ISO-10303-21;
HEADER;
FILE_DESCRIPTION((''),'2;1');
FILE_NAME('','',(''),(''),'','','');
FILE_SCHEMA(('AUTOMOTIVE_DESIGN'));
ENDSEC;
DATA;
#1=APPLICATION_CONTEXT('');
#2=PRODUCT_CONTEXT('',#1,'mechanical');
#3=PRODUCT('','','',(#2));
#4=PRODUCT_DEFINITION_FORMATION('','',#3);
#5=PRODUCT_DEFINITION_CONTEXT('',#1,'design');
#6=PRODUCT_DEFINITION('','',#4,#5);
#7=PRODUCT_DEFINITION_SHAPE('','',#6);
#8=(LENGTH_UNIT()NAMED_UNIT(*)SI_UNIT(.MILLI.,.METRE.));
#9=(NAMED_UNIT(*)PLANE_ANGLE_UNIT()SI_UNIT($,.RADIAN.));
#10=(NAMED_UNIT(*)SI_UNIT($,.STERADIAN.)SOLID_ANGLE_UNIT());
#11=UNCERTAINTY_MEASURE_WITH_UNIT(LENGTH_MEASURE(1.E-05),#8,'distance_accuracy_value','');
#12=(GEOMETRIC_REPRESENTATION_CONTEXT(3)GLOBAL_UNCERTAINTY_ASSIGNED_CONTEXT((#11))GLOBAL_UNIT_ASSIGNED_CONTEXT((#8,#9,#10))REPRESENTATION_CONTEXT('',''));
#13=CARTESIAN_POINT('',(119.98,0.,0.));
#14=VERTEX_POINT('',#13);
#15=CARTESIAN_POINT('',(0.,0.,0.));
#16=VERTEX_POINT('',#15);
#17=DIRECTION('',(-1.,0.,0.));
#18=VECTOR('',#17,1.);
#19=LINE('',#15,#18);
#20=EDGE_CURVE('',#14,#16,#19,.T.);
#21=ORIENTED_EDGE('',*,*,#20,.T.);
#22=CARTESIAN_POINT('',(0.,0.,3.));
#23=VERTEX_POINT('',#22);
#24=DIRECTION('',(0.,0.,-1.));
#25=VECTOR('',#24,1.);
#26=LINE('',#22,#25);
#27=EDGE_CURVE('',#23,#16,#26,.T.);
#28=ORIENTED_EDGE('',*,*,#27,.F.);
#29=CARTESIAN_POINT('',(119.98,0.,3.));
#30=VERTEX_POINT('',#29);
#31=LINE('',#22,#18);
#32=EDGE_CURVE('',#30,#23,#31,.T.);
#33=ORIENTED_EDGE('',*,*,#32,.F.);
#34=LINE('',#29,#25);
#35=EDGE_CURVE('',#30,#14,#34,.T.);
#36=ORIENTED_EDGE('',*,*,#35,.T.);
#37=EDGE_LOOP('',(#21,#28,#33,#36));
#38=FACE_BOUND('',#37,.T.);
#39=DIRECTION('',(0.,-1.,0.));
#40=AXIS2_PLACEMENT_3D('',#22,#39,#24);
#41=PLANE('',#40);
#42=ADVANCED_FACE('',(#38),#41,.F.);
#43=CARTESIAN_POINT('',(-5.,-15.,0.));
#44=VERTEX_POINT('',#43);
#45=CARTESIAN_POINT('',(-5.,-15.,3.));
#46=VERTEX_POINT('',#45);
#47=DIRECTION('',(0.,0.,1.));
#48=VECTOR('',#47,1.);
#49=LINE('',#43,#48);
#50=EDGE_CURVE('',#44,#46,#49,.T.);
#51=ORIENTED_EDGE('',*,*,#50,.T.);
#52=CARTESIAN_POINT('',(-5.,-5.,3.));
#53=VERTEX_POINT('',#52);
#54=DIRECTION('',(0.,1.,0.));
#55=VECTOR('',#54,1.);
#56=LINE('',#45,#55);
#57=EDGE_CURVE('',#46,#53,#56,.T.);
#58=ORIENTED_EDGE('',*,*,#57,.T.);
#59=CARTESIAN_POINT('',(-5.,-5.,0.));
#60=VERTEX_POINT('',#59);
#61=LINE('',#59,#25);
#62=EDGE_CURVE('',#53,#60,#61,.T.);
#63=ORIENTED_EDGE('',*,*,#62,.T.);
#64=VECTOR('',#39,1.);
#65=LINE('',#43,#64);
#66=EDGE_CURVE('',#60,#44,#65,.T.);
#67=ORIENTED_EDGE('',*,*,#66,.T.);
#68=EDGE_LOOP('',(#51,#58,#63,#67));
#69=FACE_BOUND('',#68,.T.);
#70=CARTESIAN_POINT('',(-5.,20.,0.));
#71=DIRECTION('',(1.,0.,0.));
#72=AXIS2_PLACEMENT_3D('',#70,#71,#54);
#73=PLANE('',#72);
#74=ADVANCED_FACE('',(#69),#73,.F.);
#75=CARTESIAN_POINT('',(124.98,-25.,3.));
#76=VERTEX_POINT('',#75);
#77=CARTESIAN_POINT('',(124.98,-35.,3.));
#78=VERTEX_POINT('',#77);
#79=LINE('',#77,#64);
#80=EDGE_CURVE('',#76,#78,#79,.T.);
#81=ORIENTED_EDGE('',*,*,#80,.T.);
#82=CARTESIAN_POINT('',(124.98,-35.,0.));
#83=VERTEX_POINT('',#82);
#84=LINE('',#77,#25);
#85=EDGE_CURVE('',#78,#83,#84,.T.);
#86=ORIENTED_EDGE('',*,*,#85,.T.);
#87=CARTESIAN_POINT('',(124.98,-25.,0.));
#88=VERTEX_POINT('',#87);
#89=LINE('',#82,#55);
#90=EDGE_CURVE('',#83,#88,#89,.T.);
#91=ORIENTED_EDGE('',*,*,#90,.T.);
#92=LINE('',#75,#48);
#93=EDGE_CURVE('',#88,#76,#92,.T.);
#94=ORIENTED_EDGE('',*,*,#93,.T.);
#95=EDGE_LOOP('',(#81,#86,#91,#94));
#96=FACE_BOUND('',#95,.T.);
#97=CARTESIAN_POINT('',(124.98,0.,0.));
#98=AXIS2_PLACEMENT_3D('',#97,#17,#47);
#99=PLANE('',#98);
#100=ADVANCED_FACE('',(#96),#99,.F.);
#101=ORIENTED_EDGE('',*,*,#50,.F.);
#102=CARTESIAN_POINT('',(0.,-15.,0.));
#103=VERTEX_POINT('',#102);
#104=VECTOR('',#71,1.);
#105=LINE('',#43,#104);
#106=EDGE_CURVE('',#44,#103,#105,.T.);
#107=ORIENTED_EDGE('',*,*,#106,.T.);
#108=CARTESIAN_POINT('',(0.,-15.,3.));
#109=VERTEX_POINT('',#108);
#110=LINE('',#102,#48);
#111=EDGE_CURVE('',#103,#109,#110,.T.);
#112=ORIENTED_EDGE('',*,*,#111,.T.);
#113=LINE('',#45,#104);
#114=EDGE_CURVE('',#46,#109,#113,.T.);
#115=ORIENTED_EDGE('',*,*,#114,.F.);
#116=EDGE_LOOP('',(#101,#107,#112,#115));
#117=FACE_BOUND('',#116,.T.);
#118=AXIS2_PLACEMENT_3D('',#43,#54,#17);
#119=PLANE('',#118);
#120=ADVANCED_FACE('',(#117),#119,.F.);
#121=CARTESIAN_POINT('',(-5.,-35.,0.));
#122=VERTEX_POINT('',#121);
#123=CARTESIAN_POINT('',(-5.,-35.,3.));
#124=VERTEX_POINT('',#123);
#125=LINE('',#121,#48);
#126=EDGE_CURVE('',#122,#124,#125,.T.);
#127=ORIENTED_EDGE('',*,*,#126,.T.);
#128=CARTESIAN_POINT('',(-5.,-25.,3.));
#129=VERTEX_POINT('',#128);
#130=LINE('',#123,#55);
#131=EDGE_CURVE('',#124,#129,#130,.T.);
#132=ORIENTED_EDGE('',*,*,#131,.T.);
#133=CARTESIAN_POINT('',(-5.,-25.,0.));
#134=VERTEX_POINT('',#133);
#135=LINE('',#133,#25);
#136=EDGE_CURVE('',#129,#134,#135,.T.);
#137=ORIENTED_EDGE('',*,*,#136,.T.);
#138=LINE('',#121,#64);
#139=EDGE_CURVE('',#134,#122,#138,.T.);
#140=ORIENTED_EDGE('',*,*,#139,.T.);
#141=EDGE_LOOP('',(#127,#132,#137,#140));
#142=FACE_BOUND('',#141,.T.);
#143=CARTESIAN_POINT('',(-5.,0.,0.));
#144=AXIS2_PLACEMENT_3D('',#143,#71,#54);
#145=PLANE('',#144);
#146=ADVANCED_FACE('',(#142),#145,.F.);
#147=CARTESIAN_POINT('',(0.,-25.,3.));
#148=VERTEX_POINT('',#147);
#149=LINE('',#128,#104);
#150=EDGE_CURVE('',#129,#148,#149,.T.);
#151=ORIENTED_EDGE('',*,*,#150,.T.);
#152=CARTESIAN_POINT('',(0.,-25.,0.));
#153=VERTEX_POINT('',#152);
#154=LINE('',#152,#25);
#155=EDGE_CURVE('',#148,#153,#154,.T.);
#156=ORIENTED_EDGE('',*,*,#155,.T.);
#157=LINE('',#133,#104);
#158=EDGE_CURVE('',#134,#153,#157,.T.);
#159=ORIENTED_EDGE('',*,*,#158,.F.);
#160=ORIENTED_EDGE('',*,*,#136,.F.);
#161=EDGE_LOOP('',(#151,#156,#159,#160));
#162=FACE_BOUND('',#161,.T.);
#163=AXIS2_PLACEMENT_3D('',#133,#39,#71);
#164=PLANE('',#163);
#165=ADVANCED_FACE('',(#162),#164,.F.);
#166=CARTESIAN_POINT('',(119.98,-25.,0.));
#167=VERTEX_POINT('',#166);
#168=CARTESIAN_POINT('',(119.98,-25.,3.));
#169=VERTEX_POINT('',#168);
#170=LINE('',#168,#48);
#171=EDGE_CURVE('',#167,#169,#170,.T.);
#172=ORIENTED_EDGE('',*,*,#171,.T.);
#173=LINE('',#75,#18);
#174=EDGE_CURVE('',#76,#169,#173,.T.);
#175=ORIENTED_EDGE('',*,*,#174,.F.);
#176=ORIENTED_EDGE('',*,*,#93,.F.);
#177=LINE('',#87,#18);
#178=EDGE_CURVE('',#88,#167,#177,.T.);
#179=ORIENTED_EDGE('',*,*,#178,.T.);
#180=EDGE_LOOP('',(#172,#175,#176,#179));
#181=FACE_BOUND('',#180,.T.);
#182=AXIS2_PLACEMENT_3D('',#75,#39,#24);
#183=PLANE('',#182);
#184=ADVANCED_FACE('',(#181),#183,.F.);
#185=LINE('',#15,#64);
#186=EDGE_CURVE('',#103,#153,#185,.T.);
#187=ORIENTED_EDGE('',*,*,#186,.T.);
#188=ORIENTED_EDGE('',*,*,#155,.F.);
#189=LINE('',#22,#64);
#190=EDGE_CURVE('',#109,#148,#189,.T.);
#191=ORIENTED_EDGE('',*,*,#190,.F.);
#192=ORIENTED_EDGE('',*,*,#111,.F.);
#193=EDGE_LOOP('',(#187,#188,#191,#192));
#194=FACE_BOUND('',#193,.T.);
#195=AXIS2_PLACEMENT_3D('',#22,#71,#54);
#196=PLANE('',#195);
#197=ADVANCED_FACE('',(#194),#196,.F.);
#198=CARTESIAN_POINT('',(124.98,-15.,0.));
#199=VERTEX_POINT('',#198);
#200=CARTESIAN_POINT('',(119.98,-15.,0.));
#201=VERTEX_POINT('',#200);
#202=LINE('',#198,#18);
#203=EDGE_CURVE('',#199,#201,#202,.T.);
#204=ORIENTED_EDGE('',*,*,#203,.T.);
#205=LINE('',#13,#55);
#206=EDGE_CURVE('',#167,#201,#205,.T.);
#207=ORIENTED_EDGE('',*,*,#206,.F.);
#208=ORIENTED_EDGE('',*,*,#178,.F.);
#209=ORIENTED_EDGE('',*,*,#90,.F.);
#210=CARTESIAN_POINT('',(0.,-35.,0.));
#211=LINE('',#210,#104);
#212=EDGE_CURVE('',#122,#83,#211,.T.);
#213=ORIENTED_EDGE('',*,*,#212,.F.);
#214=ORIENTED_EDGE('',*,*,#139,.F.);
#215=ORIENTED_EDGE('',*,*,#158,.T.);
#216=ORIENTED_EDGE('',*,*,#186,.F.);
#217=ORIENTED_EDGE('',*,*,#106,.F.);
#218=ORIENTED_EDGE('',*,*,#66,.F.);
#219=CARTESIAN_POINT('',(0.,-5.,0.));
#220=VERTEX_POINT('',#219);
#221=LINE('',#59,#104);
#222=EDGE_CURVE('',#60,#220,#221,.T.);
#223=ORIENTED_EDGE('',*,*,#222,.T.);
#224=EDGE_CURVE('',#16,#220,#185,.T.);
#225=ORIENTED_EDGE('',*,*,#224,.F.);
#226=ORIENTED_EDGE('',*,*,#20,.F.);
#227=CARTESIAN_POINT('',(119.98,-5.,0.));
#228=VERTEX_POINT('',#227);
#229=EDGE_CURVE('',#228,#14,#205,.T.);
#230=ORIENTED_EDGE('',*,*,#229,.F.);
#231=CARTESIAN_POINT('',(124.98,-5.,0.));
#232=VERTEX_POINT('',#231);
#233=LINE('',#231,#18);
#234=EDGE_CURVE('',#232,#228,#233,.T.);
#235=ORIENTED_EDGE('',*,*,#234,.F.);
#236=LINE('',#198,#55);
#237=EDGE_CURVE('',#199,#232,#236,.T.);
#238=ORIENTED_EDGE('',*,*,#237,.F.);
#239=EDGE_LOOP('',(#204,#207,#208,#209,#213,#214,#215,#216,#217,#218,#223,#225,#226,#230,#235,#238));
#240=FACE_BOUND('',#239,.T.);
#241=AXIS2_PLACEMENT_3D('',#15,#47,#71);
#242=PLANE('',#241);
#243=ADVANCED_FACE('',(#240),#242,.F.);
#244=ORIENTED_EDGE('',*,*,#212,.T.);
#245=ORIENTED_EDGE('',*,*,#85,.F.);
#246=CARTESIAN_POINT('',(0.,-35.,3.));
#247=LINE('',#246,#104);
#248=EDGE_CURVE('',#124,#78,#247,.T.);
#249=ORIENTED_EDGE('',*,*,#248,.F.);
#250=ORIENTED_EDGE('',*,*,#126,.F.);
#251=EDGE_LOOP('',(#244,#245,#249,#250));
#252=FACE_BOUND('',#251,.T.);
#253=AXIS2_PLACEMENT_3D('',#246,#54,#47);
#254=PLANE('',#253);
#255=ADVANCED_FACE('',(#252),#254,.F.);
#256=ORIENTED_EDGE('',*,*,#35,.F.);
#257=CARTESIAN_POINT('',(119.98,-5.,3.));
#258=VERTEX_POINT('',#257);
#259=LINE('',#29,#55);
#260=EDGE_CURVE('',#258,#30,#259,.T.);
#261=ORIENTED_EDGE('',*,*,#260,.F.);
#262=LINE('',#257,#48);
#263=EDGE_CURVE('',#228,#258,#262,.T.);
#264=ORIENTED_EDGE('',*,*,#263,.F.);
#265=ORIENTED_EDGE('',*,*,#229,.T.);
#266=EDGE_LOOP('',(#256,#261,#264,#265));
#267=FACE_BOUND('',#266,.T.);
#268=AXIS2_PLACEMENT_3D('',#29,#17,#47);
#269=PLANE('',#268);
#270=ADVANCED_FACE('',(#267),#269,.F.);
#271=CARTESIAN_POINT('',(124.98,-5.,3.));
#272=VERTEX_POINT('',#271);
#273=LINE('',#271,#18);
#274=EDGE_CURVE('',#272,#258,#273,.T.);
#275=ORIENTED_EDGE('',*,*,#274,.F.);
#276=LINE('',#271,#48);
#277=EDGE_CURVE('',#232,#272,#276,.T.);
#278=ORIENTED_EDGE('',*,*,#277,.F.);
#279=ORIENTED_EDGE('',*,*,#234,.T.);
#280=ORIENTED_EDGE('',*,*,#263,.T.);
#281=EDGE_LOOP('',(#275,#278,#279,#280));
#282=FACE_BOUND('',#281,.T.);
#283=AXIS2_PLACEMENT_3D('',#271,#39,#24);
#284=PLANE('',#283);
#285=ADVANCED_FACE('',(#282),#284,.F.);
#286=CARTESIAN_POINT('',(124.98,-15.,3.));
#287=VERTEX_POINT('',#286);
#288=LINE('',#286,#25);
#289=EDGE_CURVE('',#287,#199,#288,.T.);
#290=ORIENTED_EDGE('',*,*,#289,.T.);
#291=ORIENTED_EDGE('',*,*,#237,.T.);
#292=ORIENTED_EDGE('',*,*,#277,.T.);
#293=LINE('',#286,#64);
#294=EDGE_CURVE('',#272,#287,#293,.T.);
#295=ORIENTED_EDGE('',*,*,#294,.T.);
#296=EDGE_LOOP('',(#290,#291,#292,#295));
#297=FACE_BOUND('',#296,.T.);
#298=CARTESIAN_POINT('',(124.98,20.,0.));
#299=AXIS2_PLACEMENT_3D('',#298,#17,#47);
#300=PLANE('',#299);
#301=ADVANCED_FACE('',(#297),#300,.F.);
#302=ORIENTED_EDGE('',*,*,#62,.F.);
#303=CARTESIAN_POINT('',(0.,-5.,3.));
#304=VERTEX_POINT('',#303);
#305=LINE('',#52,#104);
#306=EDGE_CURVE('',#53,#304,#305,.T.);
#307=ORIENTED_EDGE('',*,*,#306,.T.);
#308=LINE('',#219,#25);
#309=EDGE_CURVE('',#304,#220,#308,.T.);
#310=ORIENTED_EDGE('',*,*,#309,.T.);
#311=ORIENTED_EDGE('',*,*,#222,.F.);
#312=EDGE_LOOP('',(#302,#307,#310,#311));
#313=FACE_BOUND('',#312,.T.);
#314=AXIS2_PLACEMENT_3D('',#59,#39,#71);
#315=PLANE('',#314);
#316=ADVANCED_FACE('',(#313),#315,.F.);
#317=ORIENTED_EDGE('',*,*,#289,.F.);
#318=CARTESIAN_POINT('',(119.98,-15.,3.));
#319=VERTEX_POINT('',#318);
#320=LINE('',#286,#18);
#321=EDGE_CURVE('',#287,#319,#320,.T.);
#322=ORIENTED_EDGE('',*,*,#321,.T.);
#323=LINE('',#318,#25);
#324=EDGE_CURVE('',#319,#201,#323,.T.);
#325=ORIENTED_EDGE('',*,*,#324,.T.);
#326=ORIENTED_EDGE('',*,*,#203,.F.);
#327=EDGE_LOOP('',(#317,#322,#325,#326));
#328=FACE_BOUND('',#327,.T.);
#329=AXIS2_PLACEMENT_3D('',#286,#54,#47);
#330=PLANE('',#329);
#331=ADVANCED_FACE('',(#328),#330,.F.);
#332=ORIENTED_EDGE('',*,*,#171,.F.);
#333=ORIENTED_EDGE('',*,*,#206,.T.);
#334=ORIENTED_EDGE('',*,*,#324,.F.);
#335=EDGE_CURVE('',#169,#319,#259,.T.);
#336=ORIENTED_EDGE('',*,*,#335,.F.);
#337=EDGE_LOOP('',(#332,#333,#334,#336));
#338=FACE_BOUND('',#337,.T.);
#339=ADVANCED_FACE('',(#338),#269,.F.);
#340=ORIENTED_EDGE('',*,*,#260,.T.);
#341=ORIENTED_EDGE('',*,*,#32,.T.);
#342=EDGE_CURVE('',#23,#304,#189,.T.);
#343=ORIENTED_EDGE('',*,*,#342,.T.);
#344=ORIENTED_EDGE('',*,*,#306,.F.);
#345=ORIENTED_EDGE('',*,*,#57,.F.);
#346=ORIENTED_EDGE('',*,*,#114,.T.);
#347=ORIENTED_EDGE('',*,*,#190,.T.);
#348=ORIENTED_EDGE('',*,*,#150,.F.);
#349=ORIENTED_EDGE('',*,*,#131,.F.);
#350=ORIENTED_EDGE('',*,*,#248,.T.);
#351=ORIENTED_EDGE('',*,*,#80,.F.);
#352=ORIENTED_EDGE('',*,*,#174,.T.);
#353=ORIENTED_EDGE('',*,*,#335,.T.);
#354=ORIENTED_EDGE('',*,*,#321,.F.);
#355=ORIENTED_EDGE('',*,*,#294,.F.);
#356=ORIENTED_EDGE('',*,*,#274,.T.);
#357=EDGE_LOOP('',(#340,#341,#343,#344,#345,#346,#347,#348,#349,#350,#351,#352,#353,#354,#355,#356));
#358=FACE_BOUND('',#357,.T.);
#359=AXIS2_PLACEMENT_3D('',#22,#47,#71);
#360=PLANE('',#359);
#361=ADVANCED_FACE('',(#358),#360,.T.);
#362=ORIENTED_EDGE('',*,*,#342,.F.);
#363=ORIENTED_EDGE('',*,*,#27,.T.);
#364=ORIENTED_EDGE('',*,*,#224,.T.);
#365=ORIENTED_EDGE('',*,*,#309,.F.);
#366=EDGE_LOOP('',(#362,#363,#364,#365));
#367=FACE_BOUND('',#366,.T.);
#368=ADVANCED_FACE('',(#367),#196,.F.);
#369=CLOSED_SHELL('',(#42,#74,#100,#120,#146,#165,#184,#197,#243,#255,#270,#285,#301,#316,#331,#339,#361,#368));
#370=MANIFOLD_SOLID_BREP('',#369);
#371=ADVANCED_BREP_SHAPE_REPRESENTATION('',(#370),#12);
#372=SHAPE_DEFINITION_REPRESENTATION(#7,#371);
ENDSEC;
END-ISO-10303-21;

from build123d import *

# Parameters (mm, degrees)
ESQUISSE1_W                = 119.98
ESQUISSE1_H                = 35
BOSS_EXTRU_1_DEPTH         = 3
ESQUISSE2_W                = 3
ESQUISSE2_H                = 10
BOSS_EXTRU_2_DEPTH         = 5
R_P_TITION_LIN_AIRE1_COUNT = 2
R_P_TITION_LIN_AIRE1_PITCH = 20
ESQUISSE3_W                = 3
ESQUISSE3_H                = 10
BOSS_EXTRU_3_DEPTH         = 5
R_P_TITION_LIN_AIRE2_COUNT = 2
R_P_TITION_LIN_AIRE2_PITCH = 20


with BuildPart() as part:
    # Esquisse1 → Boss.-Extru.1 (new body)
    with BuildSketch(Plane.XY):
        with Locations((59.99, -17.5)):
            Rectangle(ESQUISSE1_W, ESQUISSE1_H)
    extrude(amount=BOSS_EXTRU_1_DEPTH)

    # Esquisse2 → Boss.-Extru.2 (add)
    with BuildSketch(Plane.ZY):
        with Locations((1.5, -30)):
            Rectangle(ESQUISSE2_W, ESQUISSE2_H)
    boss_extru_2 = extrude(amount=BOSS_EXTRU_2_DEPTH)

    # Répétition linéaire1: Boss.-Extru.2 ×2
    with Locations(*[(0, i * R_P_TITION_LIN_AIRE1_PITCH, 0) for i in range(1, R_P_TITION_LIN_AIRE1_COUNT)]):
        add(boss_extru_2)

    # Esquisse3 → Boss.-Extru.3 (add)
    with BuildSketch(Plane(origin=(119.98, 0, 0), x_dir=(0, 0, -1), z_dir=(1, 0, 0))):
        with Locations((-1.5, -30)):
            Rectangle(ESQUISSE3_W, ESQUISSE3_H)
    boss_extru_3 = extrude(amount=BOSS_EXTRU_3_DEPTH)

    # Répétition linéaire2: Boss.-Extru.3 ×2
    with Locations(*[(0, i * R_P_TITION_LIN_AIRE2_PITCH, 0) for i in range(1, R_P_TITION_LIN_AIRE2_COUNT)]):
        add(boss_extru_3)


solid = part.part
